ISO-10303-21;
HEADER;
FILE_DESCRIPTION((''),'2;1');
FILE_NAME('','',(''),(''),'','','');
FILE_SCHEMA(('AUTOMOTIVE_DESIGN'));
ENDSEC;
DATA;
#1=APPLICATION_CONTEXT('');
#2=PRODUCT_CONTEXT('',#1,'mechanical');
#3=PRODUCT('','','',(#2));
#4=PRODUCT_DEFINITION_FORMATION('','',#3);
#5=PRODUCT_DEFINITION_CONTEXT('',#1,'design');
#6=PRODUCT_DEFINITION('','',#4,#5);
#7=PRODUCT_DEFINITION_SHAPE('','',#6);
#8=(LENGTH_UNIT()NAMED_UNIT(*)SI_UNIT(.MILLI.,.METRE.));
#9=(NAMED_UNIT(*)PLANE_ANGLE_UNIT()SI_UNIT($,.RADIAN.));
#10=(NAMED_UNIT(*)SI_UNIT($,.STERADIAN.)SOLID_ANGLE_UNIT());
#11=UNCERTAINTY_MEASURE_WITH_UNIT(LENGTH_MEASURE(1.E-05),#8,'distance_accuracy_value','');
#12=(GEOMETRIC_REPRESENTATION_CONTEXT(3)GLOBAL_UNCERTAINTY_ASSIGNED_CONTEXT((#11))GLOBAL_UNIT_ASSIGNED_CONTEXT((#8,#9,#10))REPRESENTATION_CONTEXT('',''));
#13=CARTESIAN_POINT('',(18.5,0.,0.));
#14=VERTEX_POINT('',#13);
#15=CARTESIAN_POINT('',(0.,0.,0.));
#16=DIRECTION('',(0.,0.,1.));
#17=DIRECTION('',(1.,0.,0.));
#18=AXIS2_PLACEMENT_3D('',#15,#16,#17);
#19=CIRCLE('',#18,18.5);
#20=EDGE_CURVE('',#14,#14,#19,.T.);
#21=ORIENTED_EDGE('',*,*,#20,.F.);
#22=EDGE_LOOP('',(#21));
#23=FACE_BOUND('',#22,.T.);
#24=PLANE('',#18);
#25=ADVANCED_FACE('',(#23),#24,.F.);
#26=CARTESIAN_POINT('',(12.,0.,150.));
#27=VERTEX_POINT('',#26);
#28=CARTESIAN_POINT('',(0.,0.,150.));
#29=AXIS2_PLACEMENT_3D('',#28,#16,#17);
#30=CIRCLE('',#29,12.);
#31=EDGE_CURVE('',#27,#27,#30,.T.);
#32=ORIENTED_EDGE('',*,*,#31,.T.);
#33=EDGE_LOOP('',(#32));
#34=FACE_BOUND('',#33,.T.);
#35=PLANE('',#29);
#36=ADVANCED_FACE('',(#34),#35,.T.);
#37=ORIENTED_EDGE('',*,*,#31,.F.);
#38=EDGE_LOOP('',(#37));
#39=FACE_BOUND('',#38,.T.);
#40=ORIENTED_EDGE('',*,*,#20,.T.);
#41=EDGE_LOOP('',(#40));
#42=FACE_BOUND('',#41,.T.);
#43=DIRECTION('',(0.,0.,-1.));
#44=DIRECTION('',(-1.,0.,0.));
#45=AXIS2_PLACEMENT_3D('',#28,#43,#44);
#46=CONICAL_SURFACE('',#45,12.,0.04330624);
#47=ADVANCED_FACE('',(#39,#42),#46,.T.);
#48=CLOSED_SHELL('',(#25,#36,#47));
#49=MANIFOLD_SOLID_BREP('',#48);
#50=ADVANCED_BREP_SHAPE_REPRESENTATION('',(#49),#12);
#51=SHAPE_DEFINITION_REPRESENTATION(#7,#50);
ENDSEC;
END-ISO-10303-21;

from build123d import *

# Parameters (mm, degrees)
SKETCH1_R = 18.5
SKETCH2_R = 12


with BuildPart() as part:
    # Sketch1 → Loft1 section 0
    with BuildSketch(Plane.XY):
        Circle(SKETCH1_R)
    # Sketch2 → Loft1 section 1
    with BuildSketch(Plane.XY.offset(150)):
        Circle(SKETCH2_R)
    loft()


solid = part.part
